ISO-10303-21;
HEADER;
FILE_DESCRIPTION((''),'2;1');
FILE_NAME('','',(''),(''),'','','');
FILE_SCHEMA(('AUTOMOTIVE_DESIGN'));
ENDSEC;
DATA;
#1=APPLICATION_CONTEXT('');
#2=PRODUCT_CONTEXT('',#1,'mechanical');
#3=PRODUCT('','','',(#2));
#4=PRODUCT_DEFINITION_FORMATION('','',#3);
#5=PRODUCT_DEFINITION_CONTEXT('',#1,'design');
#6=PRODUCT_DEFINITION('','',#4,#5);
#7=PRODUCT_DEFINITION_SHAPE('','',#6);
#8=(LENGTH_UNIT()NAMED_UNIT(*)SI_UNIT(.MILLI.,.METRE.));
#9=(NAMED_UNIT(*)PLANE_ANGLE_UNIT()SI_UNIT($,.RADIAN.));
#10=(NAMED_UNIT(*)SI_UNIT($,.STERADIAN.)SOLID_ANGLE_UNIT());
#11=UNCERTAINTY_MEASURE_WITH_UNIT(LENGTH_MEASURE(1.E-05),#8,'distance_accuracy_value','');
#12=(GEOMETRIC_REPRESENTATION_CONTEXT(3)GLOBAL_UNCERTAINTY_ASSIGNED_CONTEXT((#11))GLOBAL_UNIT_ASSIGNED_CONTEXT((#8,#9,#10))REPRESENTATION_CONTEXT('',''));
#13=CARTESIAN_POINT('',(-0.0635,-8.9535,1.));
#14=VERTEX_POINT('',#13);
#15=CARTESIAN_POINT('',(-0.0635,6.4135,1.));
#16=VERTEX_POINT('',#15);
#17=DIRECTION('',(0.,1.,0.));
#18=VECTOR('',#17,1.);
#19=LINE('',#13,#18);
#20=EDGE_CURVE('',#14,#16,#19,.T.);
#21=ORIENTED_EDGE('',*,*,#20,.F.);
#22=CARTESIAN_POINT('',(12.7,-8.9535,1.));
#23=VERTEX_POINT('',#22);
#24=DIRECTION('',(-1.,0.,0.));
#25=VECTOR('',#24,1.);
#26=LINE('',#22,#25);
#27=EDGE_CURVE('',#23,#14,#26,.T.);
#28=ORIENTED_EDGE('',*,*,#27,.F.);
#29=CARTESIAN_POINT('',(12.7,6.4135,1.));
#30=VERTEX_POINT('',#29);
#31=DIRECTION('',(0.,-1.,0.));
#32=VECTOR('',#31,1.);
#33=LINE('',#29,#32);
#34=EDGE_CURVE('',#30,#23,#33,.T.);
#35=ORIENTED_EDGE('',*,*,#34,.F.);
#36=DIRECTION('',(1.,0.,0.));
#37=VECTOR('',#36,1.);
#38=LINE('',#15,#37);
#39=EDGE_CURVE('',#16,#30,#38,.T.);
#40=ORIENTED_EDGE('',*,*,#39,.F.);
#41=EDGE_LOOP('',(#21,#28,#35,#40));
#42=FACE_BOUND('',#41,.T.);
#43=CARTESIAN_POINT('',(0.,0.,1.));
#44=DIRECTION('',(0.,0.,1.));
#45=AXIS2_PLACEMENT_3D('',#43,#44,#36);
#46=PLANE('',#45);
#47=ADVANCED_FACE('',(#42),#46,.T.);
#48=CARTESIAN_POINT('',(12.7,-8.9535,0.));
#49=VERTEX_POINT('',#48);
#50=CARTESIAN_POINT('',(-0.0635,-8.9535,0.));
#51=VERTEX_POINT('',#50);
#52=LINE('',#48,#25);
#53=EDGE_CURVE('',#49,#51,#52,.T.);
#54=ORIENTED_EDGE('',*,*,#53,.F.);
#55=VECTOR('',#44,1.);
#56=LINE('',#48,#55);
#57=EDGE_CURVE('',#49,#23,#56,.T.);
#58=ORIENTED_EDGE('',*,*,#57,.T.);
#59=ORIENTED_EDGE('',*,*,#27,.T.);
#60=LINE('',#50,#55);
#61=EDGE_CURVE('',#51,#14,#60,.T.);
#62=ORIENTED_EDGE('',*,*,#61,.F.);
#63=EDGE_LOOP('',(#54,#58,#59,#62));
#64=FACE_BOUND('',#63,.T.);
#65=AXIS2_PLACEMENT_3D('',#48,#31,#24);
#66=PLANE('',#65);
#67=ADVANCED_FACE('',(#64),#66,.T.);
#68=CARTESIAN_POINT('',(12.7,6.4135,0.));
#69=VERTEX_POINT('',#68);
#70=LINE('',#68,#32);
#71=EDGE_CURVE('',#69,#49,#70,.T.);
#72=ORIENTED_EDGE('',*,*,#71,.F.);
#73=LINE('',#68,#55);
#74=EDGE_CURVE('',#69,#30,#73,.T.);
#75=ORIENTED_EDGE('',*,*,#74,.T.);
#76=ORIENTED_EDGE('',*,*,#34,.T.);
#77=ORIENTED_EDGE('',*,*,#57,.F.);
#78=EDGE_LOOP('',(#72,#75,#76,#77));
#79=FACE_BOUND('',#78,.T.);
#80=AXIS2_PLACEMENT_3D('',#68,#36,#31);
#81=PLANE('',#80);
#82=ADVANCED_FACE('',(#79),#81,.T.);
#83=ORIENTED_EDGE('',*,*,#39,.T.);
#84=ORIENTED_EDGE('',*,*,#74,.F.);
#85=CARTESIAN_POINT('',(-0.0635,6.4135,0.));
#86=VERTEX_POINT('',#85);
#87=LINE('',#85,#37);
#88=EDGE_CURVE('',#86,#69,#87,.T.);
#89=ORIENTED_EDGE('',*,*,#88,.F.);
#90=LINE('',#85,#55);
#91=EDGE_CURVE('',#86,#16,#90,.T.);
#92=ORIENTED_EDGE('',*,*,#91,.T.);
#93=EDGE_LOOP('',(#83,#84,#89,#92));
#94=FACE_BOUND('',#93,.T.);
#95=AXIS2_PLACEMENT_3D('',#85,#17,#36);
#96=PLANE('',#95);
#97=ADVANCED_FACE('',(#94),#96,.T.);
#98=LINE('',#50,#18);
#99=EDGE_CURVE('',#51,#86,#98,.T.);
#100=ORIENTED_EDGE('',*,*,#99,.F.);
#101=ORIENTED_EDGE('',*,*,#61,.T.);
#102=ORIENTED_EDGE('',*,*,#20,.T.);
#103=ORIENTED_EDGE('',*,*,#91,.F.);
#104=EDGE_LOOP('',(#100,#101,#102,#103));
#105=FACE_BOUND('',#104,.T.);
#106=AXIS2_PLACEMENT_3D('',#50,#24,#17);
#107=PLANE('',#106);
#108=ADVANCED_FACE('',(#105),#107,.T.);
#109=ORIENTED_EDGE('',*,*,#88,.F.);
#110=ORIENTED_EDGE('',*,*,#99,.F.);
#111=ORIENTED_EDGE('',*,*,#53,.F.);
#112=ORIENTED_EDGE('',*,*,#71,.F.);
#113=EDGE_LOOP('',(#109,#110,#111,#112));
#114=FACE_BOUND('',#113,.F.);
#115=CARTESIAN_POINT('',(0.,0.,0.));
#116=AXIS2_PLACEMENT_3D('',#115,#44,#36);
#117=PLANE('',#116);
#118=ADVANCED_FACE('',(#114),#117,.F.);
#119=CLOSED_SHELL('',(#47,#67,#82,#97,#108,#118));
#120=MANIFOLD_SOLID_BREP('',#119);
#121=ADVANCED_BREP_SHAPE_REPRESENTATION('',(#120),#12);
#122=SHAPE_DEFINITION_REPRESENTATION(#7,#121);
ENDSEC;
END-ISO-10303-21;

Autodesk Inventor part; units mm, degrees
ref_plane "YZ Plane" through (0, 0, 0) normal (1, 0, 0) x (0, 1, 0)
ref_plane "XZ Plane" through (0, 0, 0) normal (0, 1, 0) x (-1, 0, 0)
ref_plane "XY Plane" through (0, 0, 0) normal (0, 0, 1) x (1, 0, 0)
sketch "BGM220P, BGM220P_6" plane through (0, 0, 0) normal (0, 0, 1) x (1, 0, 0)
  line L0 (-0.0635, 6.4135) -> (12.7, 6.4135)
  line L1 (12.7, 6.4135) -> (12.7, -8.9535)
  line L2 (12.7, -8.9535) -> (-0.0635, -8.9535)
  line L3 (-0.0635, -8.9535) -> (-0.0635, 6.4135)
extrude "Extrusion1" add sketch "BGM220P, BGM220P_6" along normal blind 1
properties part number "BGM220P"
